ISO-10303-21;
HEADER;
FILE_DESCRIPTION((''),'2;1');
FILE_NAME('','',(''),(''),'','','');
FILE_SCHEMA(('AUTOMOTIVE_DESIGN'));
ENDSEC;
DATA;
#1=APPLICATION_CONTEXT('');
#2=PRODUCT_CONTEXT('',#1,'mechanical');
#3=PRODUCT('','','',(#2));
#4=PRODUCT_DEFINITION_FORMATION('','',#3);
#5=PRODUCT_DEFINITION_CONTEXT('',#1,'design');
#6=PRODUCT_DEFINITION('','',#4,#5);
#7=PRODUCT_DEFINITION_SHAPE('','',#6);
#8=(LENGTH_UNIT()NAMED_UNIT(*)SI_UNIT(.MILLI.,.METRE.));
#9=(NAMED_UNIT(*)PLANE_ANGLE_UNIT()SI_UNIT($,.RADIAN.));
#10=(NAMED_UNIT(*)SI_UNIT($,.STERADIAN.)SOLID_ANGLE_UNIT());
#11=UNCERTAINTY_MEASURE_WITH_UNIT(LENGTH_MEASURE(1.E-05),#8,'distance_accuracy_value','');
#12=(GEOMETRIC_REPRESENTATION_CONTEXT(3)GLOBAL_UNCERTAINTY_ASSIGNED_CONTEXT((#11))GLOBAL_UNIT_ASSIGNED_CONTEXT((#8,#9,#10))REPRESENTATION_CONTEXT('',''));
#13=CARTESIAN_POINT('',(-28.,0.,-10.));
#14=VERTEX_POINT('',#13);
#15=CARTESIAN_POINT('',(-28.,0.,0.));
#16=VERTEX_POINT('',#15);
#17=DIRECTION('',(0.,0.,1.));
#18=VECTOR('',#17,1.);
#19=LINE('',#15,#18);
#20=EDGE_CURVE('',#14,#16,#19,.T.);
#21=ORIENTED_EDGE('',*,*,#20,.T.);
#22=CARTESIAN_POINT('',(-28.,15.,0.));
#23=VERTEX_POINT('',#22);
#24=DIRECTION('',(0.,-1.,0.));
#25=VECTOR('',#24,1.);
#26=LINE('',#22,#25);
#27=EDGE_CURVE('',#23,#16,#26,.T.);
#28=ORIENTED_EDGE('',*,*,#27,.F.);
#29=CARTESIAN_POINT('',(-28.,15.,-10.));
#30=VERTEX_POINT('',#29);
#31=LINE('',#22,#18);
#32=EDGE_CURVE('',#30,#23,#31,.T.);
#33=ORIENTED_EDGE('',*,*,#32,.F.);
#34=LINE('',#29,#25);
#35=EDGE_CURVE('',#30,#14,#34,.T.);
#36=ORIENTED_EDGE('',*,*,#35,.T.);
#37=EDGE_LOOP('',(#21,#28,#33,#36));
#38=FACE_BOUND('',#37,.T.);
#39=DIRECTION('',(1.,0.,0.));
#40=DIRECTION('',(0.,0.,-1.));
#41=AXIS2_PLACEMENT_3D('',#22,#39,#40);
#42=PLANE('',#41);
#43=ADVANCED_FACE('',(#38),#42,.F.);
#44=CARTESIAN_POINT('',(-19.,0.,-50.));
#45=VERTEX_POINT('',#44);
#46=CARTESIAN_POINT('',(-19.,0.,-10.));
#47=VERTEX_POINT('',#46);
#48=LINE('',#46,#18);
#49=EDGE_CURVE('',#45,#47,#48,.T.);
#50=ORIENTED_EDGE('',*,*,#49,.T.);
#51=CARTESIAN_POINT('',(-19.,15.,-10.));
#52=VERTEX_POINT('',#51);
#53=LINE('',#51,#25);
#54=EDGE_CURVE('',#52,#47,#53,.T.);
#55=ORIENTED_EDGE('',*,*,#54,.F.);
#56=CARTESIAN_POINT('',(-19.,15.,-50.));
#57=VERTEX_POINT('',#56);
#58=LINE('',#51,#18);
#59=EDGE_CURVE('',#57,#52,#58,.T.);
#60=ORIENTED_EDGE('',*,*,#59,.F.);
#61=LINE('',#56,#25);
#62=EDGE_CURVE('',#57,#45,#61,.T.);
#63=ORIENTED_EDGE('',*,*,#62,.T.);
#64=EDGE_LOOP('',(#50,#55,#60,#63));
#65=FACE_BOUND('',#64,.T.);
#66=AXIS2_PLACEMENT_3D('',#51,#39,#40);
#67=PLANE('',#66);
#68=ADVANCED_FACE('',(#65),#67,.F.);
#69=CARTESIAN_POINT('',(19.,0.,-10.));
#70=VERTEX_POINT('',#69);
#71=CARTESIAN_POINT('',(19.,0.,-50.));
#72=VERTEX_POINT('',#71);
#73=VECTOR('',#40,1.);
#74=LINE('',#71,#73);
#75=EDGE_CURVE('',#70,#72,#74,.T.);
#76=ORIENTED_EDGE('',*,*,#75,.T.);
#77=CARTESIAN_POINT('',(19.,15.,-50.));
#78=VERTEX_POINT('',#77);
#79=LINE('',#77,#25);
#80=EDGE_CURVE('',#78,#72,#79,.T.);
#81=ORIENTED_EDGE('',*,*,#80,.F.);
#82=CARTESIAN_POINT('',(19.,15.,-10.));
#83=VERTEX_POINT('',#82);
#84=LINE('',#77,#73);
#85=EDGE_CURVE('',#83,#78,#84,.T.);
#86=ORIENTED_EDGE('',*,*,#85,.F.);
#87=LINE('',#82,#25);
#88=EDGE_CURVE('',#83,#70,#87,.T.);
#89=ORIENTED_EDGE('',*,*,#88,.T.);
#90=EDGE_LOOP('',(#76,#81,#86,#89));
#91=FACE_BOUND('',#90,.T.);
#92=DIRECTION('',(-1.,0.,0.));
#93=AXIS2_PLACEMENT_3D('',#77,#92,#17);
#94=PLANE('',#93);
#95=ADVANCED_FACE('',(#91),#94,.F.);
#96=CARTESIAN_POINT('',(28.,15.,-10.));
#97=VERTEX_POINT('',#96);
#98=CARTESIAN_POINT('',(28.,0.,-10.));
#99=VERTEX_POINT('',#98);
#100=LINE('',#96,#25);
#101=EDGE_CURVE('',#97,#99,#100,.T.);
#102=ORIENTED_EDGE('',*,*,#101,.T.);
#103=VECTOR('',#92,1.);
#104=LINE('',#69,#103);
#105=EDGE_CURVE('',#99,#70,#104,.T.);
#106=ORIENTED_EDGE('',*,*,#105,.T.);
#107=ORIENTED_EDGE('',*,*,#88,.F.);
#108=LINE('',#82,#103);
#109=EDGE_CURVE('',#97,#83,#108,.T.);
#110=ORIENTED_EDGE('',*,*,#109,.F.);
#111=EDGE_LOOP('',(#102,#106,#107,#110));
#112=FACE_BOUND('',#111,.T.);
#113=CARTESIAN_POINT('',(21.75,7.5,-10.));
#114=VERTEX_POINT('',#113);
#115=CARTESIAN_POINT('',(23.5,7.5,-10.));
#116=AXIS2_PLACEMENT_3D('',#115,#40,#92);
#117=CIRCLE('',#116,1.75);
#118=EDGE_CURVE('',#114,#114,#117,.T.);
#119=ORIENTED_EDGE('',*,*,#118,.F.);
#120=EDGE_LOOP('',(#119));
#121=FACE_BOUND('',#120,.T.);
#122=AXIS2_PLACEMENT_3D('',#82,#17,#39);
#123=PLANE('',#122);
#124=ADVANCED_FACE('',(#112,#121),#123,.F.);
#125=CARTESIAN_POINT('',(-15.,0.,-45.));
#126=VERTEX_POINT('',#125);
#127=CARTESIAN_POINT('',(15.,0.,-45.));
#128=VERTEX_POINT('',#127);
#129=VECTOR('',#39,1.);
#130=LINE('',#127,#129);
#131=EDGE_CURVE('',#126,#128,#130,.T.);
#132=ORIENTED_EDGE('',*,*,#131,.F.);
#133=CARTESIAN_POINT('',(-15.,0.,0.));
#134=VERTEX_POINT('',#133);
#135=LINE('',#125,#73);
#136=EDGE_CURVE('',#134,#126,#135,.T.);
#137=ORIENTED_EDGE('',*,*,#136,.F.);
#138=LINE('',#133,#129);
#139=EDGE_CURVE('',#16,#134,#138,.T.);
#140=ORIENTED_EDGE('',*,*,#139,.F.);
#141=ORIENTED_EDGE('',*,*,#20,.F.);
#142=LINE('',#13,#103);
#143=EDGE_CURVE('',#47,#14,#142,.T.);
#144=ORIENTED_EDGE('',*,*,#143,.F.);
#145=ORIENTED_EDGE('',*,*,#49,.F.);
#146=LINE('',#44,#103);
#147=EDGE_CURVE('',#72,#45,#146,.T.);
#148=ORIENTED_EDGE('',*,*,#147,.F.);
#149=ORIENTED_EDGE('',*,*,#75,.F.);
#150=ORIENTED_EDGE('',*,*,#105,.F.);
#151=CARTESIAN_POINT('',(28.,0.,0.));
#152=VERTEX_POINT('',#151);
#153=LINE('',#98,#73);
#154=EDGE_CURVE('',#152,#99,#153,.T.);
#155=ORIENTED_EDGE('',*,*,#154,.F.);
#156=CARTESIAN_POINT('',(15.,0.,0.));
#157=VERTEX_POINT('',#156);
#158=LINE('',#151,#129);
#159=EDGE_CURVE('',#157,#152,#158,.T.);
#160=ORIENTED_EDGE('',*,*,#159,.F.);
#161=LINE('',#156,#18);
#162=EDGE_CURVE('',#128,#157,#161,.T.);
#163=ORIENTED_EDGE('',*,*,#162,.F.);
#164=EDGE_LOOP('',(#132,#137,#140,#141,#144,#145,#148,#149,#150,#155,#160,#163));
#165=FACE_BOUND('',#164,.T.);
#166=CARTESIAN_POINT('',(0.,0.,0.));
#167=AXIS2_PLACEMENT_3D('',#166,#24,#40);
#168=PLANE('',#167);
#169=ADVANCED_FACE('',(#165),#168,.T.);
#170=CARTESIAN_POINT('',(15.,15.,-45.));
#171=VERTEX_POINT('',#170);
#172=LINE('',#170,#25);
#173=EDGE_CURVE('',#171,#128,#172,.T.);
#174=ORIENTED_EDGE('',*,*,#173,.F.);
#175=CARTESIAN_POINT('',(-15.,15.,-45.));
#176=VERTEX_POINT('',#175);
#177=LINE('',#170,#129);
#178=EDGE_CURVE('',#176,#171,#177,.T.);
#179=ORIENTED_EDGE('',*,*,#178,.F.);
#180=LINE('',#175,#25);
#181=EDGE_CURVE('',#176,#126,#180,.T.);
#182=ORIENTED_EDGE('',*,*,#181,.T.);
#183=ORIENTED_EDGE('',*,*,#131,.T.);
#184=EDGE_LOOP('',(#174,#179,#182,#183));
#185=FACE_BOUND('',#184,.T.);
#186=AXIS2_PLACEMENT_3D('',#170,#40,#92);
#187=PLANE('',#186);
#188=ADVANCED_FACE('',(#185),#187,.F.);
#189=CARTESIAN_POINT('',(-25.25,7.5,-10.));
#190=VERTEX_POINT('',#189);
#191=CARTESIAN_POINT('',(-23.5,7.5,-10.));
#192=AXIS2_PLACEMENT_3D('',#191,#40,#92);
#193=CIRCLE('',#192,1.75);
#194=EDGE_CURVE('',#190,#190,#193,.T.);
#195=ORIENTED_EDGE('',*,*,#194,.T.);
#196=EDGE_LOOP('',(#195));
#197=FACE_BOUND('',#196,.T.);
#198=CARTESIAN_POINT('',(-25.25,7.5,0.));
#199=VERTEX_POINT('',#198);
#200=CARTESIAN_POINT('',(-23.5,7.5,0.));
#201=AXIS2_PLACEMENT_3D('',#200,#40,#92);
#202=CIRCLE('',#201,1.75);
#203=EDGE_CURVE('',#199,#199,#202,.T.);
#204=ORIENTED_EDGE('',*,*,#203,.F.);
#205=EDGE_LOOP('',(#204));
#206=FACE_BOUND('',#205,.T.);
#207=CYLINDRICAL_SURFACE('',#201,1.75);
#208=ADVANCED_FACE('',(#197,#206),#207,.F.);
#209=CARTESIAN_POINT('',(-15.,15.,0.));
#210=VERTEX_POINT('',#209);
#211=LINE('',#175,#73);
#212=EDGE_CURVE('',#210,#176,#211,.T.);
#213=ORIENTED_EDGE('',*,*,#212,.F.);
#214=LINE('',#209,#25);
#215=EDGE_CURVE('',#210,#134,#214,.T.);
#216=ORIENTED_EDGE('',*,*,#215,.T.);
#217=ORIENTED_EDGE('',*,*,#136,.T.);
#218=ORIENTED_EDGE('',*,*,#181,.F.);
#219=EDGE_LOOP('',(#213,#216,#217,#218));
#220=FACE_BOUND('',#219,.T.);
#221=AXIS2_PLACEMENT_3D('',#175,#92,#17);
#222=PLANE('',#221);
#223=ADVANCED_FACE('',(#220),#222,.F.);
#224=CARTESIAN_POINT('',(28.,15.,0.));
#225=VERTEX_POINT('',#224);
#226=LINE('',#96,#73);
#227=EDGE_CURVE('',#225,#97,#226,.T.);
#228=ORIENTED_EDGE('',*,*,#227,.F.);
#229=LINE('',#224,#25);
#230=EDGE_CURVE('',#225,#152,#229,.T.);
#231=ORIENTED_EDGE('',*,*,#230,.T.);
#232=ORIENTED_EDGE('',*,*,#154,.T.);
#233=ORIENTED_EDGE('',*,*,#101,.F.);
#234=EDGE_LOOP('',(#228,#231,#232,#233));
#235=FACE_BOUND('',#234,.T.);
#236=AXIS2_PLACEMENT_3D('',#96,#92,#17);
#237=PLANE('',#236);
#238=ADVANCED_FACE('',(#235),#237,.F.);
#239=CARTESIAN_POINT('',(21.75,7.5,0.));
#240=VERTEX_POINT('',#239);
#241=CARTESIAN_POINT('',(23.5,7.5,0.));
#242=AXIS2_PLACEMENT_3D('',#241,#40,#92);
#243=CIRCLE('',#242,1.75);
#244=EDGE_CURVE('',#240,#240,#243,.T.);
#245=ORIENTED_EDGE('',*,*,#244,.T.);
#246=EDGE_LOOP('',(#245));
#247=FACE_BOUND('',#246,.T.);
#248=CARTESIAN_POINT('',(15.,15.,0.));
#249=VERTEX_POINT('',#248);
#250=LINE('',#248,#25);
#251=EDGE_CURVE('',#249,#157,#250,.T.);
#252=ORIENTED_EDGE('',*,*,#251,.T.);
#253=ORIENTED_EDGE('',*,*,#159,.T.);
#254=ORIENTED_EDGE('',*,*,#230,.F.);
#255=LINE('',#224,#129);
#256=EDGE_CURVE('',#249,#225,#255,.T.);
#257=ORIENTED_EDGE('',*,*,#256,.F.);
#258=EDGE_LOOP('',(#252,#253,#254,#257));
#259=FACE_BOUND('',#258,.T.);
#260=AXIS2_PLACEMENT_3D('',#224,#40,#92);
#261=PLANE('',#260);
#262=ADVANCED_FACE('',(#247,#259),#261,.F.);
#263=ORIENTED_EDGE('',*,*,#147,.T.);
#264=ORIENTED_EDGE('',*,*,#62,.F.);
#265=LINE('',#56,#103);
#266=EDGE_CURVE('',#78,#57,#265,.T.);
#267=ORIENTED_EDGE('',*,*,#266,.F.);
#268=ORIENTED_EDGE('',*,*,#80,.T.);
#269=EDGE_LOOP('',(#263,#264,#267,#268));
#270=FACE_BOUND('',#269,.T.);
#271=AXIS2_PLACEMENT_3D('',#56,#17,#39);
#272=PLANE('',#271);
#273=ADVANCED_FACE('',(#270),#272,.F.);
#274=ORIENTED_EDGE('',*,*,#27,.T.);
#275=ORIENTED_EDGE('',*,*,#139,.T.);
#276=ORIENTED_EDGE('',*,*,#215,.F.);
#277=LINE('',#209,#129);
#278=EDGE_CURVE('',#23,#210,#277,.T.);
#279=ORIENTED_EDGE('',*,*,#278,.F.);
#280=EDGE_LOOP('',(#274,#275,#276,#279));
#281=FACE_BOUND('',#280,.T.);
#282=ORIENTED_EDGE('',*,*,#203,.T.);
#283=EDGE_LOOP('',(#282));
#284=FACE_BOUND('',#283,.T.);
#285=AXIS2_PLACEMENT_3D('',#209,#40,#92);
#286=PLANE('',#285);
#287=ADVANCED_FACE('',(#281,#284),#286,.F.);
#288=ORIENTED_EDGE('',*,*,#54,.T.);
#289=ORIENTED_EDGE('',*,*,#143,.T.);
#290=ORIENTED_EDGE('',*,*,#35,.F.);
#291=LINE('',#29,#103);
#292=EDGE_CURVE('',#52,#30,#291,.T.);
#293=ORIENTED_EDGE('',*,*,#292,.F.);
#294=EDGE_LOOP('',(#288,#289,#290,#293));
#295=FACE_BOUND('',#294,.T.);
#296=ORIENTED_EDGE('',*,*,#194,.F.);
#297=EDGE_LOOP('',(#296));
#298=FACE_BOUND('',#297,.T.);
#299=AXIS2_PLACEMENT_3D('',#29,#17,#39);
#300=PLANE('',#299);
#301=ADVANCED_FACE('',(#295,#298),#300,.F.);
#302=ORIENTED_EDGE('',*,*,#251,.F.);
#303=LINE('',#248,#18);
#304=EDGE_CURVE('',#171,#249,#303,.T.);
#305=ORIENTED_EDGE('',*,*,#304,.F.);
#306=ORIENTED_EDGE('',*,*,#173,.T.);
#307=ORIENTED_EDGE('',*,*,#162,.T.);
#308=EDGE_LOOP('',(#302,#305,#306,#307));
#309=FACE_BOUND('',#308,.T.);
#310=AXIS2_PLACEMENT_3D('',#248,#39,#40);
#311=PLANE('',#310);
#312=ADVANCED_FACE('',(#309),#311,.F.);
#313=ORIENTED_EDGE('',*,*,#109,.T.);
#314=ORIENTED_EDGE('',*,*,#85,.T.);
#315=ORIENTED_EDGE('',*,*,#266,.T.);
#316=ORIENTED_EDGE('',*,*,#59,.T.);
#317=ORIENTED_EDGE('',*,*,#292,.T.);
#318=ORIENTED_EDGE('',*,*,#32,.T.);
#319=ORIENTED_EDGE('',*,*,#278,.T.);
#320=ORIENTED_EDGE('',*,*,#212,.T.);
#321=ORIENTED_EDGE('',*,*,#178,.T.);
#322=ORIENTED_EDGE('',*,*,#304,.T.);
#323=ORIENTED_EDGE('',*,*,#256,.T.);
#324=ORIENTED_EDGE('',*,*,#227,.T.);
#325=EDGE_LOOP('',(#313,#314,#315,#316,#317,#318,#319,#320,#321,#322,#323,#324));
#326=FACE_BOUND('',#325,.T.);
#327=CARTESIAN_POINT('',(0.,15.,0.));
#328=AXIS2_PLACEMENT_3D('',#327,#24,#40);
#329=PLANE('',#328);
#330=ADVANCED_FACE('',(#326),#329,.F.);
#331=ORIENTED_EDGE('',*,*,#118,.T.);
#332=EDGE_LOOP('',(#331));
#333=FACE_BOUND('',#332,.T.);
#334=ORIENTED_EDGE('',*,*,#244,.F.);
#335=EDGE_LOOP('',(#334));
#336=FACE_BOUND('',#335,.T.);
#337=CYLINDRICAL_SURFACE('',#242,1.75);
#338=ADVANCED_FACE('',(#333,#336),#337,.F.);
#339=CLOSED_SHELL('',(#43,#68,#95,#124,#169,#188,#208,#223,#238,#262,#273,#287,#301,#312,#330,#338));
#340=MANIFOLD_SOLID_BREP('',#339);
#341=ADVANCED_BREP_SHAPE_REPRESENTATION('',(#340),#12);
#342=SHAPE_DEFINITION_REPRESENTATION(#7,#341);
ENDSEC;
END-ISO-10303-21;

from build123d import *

# Parameters (mm, degrees)
BOSS_EXTRUDE1_DEPTH = 15
SKETCH8_R           = 1.75
CUT_EXTRUDE5_DEPTH  = 52.078371156


with BuildPart() as part:
    # Sketch1 → Boss-Extrude1 (new body)
    with BuildSketch(Plane(origin=(0, 0, 0), x_dir=(1, 0, 0), z_dir=(0, 1, 0))):
        Polygon((-28, 0), (-28, 10), (-19, 10), (-19, 50), (19, 50), (19, 10), (28, 10), (28, 0), (15, 0), (15, 45), (-15, 45), (-15, 0), align=None)
    extrude(amount=BOSS_EXTRUDE1_DEPTH)

    # Sketch8 → Cut-Extrude5 (cut, through all)
    with BuildSketch(Plane(origin=(0, 0, -10), x_dir=(-1, 0, 0), z_dir=(0, 0, -1))):
        with Locations((-23.5, 7.5)):
            Circle(SKETCH8_R)
        with Locations((23.5, 7.5)):
            Circle(SKETCH8_R)
    extrude(amount=-CUT_EXTRUDE5_DEPTH, mode=Mode.SUBTRACT)


solid = part.part
